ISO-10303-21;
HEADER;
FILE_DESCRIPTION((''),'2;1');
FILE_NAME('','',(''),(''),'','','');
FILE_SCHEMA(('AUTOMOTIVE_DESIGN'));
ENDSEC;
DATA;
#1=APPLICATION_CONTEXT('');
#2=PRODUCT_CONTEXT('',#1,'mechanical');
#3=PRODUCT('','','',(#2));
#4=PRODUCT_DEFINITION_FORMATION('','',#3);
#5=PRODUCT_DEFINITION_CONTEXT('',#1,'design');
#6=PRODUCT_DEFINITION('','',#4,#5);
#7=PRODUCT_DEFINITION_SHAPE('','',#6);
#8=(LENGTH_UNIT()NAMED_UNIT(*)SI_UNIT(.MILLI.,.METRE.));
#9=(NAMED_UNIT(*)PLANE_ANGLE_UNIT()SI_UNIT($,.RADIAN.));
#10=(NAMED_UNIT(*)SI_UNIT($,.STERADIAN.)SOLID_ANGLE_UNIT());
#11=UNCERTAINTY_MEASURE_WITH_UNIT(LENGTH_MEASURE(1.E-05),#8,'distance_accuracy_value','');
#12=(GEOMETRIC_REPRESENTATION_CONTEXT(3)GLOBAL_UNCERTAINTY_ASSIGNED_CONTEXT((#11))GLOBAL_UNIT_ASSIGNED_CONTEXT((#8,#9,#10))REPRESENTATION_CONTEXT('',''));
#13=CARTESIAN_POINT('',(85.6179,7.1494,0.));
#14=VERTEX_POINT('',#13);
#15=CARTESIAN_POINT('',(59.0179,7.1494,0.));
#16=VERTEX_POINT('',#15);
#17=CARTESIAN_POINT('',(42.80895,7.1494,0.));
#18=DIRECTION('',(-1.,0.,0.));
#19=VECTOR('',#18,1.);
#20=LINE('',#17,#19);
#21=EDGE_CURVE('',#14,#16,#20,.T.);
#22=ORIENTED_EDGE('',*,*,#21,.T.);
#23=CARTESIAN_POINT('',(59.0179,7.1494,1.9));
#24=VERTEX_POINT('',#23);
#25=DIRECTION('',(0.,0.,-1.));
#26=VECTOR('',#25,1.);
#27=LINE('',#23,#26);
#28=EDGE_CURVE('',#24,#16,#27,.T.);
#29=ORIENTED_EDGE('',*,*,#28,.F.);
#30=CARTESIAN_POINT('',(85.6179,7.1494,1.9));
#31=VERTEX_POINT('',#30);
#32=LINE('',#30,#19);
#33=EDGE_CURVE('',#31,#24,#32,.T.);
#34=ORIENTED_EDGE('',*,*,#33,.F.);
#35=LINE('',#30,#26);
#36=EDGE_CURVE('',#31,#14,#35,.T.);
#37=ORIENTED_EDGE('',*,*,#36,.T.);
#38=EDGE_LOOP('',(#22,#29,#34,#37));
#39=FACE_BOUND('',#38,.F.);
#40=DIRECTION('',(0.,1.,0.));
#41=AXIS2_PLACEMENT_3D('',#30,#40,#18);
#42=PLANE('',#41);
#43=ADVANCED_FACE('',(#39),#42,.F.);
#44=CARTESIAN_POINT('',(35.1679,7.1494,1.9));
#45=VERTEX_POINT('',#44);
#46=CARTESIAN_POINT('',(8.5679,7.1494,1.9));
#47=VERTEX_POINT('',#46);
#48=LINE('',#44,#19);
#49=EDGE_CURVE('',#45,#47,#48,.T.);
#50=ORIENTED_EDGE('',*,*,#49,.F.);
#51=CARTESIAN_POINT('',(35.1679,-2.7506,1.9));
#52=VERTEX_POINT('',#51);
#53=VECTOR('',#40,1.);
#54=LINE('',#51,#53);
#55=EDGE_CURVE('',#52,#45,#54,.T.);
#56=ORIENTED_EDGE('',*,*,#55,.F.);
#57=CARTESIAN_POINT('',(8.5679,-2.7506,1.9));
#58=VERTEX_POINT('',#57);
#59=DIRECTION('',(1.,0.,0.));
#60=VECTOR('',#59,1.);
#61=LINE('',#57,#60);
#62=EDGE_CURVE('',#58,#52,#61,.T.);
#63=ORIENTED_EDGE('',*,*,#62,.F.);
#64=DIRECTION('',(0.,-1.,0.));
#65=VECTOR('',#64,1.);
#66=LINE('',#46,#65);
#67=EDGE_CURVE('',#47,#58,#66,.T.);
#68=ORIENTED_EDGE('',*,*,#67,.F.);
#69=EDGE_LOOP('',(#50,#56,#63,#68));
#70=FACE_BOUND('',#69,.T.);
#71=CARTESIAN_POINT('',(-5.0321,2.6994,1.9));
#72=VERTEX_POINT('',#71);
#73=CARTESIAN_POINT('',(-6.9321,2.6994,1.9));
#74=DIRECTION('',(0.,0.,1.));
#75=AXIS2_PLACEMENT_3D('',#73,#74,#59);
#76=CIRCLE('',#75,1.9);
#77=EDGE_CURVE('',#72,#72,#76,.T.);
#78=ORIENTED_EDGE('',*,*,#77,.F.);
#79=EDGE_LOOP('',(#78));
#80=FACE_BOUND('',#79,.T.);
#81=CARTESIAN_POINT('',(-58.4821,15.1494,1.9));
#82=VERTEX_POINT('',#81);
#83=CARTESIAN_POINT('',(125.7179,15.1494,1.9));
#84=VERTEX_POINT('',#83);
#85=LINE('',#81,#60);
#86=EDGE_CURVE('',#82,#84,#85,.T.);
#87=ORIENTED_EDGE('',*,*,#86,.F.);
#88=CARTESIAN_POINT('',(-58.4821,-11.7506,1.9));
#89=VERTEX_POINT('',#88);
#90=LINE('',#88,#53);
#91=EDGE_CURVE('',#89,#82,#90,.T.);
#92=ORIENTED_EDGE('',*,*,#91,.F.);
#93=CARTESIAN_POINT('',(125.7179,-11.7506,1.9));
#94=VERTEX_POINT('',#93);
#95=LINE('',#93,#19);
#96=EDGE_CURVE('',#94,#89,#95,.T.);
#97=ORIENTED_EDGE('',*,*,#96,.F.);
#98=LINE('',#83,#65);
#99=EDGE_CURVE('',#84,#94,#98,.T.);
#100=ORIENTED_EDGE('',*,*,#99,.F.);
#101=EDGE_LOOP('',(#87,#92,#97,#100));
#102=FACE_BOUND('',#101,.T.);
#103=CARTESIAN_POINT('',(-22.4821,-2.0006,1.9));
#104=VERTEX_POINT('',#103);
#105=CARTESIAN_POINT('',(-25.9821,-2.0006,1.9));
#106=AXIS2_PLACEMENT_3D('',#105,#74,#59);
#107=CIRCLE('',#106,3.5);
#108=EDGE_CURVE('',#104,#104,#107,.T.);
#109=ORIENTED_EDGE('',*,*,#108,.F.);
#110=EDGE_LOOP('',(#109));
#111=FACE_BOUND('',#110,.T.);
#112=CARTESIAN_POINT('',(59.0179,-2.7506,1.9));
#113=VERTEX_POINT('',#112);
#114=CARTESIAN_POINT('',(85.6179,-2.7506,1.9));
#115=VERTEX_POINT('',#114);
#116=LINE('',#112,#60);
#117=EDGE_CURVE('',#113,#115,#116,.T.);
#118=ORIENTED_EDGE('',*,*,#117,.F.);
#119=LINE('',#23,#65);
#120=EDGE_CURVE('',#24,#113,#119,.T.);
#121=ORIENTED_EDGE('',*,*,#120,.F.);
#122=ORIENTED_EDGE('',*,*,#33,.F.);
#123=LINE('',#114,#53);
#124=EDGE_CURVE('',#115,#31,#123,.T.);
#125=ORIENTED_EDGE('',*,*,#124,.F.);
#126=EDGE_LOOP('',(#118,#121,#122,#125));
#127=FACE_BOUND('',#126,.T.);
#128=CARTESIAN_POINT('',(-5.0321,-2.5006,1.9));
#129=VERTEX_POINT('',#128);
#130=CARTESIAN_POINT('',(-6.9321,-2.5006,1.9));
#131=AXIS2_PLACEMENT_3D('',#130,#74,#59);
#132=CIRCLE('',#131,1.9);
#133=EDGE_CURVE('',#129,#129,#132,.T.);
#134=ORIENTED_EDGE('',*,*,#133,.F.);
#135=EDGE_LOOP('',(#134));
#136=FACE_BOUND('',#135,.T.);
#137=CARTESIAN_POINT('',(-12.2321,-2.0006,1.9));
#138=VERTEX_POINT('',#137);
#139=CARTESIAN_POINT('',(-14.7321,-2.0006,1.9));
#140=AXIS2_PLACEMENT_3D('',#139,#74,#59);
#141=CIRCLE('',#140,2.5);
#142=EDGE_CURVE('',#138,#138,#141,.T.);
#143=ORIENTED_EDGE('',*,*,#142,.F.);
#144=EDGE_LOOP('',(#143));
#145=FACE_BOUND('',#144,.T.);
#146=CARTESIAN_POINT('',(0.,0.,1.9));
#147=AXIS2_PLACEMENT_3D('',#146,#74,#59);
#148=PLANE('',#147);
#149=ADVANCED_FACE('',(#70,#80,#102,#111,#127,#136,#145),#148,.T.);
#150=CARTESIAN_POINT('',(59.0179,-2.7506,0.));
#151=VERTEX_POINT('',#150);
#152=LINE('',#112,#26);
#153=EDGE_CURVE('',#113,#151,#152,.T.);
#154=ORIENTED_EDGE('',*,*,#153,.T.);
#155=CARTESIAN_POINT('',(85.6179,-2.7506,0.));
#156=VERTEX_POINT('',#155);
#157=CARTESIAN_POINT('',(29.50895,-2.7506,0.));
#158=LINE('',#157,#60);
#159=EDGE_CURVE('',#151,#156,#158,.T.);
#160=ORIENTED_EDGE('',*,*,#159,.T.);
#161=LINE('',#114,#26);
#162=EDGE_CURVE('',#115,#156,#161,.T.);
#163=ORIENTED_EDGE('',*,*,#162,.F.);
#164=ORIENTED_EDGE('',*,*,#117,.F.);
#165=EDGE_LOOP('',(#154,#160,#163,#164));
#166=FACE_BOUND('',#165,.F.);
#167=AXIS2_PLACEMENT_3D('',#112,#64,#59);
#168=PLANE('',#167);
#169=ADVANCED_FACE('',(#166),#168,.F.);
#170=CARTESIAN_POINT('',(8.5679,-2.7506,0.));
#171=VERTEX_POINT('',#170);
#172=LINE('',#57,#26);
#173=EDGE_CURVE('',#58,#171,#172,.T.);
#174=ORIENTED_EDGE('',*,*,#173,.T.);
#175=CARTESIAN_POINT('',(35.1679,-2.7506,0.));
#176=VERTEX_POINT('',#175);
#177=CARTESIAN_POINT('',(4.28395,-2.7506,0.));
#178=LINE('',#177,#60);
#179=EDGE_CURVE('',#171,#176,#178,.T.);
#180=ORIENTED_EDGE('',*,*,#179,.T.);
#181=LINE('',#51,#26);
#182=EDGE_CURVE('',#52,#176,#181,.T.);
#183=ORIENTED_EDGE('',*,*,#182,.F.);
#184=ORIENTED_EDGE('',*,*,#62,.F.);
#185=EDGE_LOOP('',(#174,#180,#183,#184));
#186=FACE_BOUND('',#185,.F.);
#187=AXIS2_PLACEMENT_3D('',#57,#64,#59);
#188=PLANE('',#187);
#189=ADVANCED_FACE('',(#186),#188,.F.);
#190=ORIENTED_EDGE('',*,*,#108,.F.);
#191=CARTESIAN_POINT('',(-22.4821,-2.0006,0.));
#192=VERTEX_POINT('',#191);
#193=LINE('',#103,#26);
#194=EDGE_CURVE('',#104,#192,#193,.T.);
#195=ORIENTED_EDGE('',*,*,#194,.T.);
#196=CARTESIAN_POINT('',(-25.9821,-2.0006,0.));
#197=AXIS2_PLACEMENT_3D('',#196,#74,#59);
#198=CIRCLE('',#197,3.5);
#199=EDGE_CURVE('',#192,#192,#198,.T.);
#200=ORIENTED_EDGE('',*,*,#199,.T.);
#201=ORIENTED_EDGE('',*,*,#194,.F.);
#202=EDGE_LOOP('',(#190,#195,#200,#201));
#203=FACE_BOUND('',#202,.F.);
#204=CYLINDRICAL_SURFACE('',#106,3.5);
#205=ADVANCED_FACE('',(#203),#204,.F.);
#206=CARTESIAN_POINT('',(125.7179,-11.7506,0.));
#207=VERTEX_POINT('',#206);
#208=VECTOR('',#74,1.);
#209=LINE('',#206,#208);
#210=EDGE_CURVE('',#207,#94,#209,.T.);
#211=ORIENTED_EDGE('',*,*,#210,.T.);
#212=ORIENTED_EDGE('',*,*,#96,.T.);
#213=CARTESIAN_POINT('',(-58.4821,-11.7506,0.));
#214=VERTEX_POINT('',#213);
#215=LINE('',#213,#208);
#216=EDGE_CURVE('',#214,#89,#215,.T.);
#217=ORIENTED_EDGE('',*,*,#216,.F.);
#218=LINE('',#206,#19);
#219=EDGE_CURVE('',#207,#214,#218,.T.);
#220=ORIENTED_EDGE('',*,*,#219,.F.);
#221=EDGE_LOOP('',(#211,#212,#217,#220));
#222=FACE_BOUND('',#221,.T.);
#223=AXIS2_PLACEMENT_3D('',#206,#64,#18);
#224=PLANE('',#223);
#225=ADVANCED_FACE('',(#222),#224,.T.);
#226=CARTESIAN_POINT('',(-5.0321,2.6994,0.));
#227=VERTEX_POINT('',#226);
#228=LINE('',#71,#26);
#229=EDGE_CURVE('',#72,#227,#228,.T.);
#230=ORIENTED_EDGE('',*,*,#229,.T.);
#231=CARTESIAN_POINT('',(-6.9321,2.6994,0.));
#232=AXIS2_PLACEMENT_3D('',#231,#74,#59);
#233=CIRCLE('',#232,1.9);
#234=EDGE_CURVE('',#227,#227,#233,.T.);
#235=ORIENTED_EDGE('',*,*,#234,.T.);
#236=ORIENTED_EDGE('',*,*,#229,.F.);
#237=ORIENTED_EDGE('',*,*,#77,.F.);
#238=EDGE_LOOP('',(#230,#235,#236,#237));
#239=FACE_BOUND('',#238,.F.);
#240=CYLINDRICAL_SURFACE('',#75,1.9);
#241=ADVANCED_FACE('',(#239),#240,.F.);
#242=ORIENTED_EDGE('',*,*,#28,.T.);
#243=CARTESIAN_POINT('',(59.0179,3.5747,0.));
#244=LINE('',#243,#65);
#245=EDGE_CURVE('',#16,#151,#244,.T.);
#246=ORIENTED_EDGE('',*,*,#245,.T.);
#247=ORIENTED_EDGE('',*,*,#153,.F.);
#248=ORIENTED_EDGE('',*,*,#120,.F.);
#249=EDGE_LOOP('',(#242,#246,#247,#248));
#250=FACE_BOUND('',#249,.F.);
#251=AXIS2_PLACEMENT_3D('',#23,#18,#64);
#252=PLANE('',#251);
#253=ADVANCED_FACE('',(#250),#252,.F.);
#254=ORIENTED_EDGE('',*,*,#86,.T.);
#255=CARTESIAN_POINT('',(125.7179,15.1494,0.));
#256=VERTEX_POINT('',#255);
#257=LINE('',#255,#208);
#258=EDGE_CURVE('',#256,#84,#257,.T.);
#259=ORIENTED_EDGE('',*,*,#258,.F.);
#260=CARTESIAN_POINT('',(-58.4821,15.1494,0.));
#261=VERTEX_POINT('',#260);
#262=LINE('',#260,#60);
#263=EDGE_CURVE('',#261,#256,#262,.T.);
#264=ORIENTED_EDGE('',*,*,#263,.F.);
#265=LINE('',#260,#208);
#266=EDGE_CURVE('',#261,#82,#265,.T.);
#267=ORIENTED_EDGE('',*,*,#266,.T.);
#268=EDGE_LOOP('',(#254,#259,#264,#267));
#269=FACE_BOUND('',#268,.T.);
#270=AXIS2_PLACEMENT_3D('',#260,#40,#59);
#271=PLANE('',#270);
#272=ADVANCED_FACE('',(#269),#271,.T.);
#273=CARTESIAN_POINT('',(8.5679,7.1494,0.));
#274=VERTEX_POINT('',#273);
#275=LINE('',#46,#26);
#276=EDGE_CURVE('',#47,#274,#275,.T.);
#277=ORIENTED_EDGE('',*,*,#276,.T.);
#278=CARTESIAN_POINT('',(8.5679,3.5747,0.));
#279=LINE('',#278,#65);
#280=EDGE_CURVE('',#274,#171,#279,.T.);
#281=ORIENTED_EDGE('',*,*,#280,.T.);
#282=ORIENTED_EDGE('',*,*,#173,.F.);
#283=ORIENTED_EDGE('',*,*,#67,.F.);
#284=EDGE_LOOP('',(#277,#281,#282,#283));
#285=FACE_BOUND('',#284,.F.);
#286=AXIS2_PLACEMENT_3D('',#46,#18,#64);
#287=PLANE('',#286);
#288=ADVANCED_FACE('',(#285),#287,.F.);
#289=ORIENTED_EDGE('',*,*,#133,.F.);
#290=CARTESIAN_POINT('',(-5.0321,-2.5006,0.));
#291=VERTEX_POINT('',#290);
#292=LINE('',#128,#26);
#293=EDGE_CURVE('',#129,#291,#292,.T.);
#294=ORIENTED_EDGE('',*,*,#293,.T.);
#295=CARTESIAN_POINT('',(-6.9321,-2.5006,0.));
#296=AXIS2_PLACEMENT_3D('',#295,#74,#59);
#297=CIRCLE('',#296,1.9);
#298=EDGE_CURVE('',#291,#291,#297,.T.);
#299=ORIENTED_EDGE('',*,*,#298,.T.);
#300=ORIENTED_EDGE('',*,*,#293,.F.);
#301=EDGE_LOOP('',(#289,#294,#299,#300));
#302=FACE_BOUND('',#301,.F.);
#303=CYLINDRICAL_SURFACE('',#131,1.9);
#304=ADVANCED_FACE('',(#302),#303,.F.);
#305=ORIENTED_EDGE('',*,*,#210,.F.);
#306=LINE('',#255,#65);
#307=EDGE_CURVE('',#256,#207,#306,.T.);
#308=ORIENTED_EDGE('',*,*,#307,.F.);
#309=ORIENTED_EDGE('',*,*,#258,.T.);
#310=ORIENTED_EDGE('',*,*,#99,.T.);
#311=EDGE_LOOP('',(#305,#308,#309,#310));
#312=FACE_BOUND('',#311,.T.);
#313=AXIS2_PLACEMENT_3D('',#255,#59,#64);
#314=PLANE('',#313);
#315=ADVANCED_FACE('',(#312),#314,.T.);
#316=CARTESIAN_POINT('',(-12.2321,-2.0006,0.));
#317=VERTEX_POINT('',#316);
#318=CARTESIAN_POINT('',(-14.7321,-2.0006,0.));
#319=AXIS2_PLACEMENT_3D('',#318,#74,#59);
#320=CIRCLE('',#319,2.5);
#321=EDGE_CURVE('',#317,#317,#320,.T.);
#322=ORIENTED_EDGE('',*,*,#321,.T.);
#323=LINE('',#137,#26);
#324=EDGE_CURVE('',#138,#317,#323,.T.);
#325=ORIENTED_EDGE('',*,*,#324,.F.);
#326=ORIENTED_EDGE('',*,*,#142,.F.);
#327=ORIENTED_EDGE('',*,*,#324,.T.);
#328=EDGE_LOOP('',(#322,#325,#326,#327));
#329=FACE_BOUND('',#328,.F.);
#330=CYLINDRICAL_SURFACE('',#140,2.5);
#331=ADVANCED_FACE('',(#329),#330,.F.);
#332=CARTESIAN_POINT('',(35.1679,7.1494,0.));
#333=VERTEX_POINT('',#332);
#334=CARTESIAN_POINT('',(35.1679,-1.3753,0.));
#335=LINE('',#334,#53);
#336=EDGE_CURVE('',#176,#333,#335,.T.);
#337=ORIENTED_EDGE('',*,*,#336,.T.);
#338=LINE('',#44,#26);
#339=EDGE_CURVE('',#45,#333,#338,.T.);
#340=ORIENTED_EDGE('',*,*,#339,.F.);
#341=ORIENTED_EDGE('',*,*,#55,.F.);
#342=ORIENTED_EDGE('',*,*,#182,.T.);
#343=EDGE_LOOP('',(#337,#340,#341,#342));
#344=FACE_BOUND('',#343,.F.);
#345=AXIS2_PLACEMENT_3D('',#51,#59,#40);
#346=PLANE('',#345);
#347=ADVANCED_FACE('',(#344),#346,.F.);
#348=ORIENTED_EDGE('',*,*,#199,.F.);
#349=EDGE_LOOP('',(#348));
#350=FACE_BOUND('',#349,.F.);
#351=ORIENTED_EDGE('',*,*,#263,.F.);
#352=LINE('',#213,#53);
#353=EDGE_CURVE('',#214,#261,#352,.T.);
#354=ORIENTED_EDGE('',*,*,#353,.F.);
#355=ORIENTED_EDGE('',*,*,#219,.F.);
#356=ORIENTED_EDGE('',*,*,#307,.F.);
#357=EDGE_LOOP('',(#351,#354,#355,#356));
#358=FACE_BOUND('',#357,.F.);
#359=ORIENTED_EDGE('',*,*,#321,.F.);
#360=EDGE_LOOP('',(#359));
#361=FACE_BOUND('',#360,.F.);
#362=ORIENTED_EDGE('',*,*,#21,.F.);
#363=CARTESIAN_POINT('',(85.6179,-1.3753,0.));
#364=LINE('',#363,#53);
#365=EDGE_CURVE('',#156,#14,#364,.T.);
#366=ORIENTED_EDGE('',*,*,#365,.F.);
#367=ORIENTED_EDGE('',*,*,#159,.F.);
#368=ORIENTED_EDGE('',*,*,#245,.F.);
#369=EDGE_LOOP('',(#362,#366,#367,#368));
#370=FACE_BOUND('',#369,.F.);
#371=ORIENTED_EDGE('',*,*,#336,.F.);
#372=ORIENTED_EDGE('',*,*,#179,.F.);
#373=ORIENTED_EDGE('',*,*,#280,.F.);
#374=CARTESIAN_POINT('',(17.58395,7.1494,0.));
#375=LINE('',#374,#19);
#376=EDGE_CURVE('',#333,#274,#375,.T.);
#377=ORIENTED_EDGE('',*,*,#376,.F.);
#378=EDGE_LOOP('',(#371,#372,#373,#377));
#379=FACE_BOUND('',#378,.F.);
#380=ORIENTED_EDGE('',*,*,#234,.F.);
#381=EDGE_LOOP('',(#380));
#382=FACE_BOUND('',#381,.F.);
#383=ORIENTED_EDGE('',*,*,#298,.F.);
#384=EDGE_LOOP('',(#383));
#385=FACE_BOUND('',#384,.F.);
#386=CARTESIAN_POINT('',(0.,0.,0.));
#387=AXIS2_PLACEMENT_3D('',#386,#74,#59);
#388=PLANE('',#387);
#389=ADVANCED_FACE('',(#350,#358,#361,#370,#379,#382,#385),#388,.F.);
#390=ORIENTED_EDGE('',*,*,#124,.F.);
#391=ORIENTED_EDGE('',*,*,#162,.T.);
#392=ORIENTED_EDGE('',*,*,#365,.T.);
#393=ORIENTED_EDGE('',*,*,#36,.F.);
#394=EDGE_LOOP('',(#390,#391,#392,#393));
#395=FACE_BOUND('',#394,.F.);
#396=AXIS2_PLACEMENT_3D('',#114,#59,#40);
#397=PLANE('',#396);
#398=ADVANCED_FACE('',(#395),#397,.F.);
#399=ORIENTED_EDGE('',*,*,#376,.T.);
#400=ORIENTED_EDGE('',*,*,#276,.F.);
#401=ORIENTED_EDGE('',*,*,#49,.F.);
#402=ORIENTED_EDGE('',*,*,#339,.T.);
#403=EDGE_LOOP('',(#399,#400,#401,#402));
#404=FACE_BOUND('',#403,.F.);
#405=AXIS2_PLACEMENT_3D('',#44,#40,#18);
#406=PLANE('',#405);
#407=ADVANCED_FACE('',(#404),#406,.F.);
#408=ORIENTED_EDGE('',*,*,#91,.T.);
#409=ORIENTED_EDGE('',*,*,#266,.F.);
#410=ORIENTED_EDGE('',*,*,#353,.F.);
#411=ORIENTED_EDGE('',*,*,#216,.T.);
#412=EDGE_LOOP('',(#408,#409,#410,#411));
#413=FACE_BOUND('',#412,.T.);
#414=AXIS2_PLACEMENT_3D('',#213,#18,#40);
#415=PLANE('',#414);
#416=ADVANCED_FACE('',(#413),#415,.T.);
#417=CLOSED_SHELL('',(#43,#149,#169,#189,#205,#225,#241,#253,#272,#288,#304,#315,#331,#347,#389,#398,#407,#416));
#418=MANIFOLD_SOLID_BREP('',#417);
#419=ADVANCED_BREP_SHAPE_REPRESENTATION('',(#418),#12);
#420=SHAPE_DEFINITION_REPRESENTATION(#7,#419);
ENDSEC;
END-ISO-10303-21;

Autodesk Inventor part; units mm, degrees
ref_plane "YZ Plane" through (0, 0, 0) normal (1, 0, 0) x (0, 1, 0)
ref_plane "XZ Plane" through (0, 0, 0) normal (0, 1, 0) x (-1, 0, 0)
ref_plane "XY Plane" through (0, 0, 0) normal (0, 0, 1) x (1, 0, 0)
sketch "Sketch1" plane through (0, 0, 0) normal (0, 0, 1) x (1, 0, 0)
  line L0 (-58.4821, 15.1494) -> (125.7179, 15.1494)
  line L1 (125.7179, 15.1494) -> (125.7179, -11.7506)
  line L2 (125.7179, -11.7506) -> (-58.4821, -11.7506)
  line L3 (-58.4821, -11.7506) -> (-58.4821, 15.1494)
  point P0 (0, 0)
  dimension "d0" = 184.2
  dimension "d2" = 26.9
extrude "Extrusion1" add sketch "Sketch1" along normal blind 1.9
sketch "Sketch5" plane through (0, 0, 1.9) normal (0, 0, 1) x (1, 0, 0)
  line L0 (-58.4821, 15.1494) -> (-58.4821, -11.7506) projected
  line L1 (-58.4821, -11.7506) -> (125.7179, -11.7506) projected
  line L2 (125.7179, -11.7506) -> (125.7179, 15.1494) projected
  circle A0 centre (-25.9821, -2.0006) radius 3.5
  circle A1 centre (-14.7321, -2.0006) radius 2.5
  circle A2 centre (-6.9321, -2.5006) radius 1.9
  circle A3 centre (-6.9321, 2.6994) radius 1.9
  line L3 (8.5679, -2.7506) -> (35.1679, -2.7506)
  line L4 (35.1679, -2.7506) -> (35.1679, 7.1494)
  line L5 (35.1679, 7.1494) -> (8.5679, 7.1494)
  line L6 (8.5679, 7.1494) -> (8.5679, -2.7506)
  line L7 (59.0179, -2.7506) -> (85.6179, -2.7506)
  line L8 (85.6179, -2.7506) -> (85.6179, 7.1494)
  line L9 (85.6179, 7.1494) -> (59.0179, 7.1494)
  line L10 (59.0179, 7.1494) -> (59.0179, -2.7506)
  point P0 (0, 0)
  dimension "d56" = 7
  dimension "d58" = 5
  dimension "d59" = 32.5
  dimension "d60" = 43.75
  dimension "d61" = 9.75
  dimension "d62" = 9.75
  dimension "d63" = 3.8
  dimension "d64" = 3.8
  dimension "d65" = 51.55
  dimension "d66" = 51.55
  dimension "d67" = 9.25
  dimension "d68" = 14.45
  dimension "d69" = 26.6
  dimension "d70" = 26.6
  dimension "d71" = 9.9
  dimension "d72" = 9.9
  dimension "d73" = 9
  dimension "d74" = 9
  dimension "d75" = 117.15
  dimension "d76" = 66.7
extrude "Extrusion3" cut sketch "Sketch5" against normal through all
equation "\"BendRadius\" = Thickness"
equation "\"BendReliefWidth\" = Thickness"
equation "\"BendReliefDepth\" = 0.5 * Thickness"
equation "\"CornerReliefSize\" = 4 * Thickness"
equation "\"MinimumRemnant\" = 2 * Thickness"
equation "\"TransitionRadius\" = BendRadius"
equation "\"JacobiRadiusSize\" = BendRadius"
equation "\"GapSize\" = Thickness"
equation "\"Thickness\" = 0.5"
properties part number "panel"
